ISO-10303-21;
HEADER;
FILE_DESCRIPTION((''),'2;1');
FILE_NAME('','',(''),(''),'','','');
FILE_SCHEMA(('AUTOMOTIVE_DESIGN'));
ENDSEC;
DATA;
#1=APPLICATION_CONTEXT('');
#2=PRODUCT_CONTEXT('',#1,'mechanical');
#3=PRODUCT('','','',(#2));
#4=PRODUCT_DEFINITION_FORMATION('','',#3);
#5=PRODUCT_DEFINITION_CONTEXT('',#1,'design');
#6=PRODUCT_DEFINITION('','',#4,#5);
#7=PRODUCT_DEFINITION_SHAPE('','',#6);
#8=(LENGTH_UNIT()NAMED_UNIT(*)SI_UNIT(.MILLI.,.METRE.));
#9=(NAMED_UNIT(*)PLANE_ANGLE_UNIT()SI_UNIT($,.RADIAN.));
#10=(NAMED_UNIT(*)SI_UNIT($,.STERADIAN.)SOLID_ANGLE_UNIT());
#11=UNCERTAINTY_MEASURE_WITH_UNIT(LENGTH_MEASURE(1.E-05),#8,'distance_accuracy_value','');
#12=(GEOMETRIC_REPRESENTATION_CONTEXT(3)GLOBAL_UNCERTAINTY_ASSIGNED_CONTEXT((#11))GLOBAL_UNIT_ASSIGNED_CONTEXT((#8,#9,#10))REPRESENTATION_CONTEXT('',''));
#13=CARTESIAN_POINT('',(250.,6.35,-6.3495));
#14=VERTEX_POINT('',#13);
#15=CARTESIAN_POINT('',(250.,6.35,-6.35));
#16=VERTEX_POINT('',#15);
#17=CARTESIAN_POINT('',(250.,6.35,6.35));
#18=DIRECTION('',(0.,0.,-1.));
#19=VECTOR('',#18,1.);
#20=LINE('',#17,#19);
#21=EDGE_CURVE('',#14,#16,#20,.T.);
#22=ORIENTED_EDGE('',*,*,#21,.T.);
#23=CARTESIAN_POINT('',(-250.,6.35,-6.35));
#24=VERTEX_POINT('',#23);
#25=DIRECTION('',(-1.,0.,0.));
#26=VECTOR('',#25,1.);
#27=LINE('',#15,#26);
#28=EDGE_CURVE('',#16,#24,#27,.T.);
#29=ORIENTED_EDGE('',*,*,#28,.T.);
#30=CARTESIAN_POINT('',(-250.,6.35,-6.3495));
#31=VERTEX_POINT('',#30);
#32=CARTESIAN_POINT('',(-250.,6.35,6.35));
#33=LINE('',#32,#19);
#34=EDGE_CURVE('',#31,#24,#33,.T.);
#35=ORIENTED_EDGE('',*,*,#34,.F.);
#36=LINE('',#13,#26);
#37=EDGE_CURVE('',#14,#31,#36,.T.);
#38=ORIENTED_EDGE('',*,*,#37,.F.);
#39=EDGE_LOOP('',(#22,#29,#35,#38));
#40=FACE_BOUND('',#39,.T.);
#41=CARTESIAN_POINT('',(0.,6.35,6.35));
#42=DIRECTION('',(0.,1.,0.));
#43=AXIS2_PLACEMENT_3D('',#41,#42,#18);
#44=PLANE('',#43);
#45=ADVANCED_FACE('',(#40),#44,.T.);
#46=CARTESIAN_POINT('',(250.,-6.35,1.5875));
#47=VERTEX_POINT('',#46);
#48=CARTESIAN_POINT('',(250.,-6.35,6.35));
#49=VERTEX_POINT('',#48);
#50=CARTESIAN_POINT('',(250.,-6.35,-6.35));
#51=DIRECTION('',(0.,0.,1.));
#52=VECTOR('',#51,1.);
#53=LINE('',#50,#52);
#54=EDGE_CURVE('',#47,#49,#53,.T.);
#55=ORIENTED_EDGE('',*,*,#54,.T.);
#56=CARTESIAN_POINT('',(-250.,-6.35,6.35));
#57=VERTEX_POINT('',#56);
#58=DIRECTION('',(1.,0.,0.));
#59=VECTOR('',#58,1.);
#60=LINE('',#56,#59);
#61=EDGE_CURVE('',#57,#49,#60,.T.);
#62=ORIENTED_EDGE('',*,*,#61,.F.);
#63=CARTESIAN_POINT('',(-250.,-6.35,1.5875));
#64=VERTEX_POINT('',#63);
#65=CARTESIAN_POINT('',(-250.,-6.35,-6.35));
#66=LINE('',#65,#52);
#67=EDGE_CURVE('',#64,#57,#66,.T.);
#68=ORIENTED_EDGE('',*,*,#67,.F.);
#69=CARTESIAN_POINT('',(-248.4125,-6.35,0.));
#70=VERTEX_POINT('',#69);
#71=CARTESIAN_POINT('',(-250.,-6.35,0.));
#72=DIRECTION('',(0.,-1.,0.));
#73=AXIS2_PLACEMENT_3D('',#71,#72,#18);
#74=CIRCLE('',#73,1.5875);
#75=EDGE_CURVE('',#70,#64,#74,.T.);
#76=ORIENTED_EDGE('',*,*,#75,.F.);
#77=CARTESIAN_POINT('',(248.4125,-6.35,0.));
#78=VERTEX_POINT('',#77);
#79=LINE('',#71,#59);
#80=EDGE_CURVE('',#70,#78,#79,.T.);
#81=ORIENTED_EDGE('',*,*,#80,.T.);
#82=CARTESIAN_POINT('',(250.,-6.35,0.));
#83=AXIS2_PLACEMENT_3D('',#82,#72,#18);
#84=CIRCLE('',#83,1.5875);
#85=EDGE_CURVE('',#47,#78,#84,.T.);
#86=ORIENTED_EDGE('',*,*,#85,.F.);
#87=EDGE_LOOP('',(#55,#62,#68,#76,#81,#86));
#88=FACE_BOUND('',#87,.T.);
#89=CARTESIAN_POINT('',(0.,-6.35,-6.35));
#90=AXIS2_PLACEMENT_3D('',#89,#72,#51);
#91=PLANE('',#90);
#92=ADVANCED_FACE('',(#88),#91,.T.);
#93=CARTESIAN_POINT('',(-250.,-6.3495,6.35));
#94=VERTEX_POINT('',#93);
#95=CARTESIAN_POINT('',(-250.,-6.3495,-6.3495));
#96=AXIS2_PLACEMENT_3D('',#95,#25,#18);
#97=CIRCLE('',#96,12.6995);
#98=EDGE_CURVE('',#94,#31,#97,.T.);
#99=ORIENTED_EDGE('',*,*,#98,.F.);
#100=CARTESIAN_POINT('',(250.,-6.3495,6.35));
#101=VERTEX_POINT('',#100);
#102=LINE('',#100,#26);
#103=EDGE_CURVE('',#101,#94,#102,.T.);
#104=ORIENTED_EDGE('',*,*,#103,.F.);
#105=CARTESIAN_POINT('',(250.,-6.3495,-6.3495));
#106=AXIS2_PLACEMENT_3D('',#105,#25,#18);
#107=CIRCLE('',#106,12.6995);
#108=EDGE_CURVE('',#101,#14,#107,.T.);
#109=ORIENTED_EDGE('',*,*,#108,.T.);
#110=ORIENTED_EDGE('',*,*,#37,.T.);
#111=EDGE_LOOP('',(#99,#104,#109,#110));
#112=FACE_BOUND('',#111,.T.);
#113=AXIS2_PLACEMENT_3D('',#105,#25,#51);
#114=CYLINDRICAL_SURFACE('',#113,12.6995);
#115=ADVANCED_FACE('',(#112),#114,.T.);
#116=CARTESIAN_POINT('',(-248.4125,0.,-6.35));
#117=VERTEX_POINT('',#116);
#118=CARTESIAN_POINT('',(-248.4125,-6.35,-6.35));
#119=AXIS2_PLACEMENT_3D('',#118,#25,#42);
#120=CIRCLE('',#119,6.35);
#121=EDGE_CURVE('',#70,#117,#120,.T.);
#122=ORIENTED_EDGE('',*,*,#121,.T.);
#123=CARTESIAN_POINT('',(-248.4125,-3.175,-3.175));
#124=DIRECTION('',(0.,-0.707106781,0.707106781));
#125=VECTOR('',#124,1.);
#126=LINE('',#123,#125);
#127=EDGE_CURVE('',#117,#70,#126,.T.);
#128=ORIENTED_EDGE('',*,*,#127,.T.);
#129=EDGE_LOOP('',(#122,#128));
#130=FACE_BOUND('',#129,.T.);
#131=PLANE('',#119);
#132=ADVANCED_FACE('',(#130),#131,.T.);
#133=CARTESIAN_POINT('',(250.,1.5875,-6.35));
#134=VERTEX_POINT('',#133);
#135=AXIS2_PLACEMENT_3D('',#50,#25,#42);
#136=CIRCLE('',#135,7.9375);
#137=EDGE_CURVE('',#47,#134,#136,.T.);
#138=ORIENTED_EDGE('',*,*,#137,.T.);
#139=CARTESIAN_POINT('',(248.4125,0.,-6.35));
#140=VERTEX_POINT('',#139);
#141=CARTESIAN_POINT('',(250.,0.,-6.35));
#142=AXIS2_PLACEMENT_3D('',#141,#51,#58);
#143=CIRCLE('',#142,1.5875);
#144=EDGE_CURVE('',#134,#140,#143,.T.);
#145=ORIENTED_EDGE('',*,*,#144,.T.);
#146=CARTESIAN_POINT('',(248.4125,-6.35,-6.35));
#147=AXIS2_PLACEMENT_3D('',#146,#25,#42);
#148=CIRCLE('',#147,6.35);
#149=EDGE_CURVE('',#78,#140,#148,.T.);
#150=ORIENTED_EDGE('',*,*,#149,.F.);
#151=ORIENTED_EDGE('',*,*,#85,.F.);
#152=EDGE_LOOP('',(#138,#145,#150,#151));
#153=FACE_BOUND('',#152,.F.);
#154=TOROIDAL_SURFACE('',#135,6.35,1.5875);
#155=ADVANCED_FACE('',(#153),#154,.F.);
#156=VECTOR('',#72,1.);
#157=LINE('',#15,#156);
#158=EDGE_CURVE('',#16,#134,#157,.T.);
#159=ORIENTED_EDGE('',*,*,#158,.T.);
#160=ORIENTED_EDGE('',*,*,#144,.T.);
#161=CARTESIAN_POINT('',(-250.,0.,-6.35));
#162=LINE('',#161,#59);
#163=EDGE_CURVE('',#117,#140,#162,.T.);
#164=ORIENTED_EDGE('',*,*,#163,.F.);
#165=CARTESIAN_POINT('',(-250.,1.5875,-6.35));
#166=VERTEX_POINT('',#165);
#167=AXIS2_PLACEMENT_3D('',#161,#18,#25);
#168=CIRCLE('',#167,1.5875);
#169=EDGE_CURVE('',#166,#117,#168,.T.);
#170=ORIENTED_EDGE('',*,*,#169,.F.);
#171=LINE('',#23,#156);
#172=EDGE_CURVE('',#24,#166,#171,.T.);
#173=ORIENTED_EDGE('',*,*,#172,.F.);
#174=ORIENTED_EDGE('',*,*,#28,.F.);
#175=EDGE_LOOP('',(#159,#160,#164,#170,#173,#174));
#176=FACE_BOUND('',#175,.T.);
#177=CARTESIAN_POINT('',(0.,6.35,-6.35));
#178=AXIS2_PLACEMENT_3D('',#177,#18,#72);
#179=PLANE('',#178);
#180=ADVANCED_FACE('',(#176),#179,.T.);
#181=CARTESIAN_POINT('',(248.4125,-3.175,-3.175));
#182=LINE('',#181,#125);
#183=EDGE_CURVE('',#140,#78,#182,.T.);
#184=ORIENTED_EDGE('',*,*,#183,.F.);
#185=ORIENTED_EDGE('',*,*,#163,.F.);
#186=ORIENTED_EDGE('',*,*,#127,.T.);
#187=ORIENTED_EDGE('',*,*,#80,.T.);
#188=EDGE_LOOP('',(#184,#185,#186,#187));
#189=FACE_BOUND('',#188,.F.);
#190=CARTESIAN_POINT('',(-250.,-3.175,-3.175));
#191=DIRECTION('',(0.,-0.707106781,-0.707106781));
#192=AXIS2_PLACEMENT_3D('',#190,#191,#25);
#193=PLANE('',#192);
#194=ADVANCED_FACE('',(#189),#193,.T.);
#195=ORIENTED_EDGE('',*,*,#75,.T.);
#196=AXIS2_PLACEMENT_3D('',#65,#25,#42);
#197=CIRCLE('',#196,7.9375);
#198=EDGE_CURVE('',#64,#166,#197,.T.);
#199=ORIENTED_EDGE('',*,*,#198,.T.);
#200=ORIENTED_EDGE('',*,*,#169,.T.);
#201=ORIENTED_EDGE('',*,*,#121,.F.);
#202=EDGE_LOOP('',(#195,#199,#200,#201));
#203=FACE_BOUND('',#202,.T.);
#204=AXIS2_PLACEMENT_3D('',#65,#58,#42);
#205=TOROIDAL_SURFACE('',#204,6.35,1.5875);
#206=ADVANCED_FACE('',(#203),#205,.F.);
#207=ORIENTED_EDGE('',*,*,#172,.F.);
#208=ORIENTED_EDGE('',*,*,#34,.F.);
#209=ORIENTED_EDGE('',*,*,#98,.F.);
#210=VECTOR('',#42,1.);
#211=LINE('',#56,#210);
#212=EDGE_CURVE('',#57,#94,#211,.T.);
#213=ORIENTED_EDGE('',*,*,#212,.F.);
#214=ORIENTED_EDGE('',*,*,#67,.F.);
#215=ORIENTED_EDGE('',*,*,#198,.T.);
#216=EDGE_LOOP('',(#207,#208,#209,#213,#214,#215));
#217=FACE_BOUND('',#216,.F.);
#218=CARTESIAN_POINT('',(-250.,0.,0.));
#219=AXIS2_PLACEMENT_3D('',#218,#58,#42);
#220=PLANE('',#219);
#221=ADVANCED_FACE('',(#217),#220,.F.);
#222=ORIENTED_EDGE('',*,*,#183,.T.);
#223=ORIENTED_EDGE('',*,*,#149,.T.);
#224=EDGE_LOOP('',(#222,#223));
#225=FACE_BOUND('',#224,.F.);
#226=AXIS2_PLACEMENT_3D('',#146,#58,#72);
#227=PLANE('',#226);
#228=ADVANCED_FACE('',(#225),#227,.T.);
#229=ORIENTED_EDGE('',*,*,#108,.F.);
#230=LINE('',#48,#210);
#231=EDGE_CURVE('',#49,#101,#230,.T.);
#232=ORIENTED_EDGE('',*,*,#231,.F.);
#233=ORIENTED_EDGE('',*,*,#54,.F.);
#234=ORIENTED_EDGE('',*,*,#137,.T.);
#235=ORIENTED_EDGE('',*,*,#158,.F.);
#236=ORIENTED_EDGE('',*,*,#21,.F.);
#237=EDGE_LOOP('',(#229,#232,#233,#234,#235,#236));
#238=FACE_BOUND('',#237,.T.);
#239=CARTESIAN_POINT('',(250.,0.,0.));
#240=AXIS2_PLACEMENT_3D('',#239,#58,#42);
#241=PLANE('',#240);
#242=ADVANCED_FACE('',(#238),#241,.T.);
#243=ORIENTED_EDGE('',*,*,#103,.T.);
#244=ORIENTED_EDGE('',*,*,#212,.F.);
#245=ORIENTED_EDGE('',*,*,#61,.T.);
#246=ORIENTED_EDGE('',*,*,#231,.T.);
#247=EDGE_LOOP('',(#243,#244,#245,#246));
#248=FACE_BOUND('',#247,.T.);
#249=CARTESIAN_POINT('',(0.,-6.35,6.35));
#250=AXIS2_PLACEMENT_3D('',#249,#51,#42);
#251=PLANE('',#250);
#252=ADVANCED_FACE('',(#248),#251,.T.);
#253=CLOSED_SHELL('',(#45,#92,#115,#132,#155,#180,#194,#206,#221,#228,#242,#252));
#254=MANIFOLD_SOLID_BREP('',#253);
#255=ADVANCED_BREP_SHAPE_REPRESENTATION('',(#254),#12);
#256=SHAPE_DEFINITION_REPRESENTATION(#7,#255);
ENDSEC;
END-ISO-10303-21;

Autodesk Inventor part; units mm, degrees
ref_plane "YZ Plane" through (0, 0, 0) normal (1, 0, 0) x (0, 1, 0)
ref_plane "XZ Plane" through (0, 0, 0) normal (0, 1, 0) x (-1, 0, 0)
ref_plane "XY Plane" through (0, 0, 0) normal (0, 0, 1) x (1, 0, 0)
sketch "Sketch1" plane through (0, 0, 0) normal (1, 0, 0) x (0, 1, 0)
  line L0 (-6.35, 6.35) -> (6.35, 6.35)
  line L1 (6.35, 6.35) -> (6.35, -6.35)
  line L2 (6.35, -6.35) -> (-6.35, -6.35)
  line L3 (-6.35, -6.35) -> (-6.35, 6.35)
  line L4 (-6.35, 6.35) -> (6.35, -6.35) construction
  line L5 (6.35, 6.35) -> (-6.35, -6.35) construction
  point P0 (0, 0)
  dimension "d0" = 12.7
  dimension "d1" = 12.7
extrude "Extrusion1" add sketch "Sketch1" along normal mid plane 500
chamfer "Chamfer1" distance 6.35 angle 45 1 edges at (0, -6.35, -6.35)
fillet "Fillet1" radius 12.7 1 edges at (0, 6.35, 6.35)
sketch "Sketch2" plane through (250, 0, -6.35) normal (0, 0, -1) x (-1, 0, 0)
  line L0 (500, 0) -> (0, 0) projected
  line L1 (500, 6.35) -> (500, 0) projected
  line L2 (0, 6.35) -> (500, 6.35) projected
  line L3 (0, 0) -> (0, 6.35) projected
  circle A0 centre (500, 0) radius 1.5875
  line L4 (0, -6.35) -> (500, -6.35) projected
  line L5 (500, 0) -> (0, 0) projected
  line L6 (498.4125, 0) -> (498.4125, -6.35)
  line L7 (501.5875, 0) -> (501.5875, -6.35)
  line L8 (501.5875, -6.35) -> (498.4125, -6.35)
  point P0 (250, 0)
  dimension "d8" = 3.175
revolve "Revolution1" cut sketch "Sketch2" angle 360 about axis through (250, -6.35, -6.35) along (-1, 0, 0) contours L1 A0 L0 | L0 A0 L1 | A0 L7 L8 L4 L6
mirror "Mirror1" about plane through (0, 0, 0) normal (1, 0, 0) of "Revolution1"
equation "\"d0\" = facingThickness"
equation "\"d1\" = facingThickness"
equation "\"d2\" = depth"
equation "\"d4\" = 0.5 * facingThickness"
equation "\"d7\" = facingThickness"
equation "\"d8\" = 0.25 * facingThickness"
equation "\"depth\" = 500"
equation "\"facingThickness\" = 12.7"
equation "\"facingGasketThickness\" = 1.5875"
properties part number "sideMoulding" material "Wood (Cherry)"
